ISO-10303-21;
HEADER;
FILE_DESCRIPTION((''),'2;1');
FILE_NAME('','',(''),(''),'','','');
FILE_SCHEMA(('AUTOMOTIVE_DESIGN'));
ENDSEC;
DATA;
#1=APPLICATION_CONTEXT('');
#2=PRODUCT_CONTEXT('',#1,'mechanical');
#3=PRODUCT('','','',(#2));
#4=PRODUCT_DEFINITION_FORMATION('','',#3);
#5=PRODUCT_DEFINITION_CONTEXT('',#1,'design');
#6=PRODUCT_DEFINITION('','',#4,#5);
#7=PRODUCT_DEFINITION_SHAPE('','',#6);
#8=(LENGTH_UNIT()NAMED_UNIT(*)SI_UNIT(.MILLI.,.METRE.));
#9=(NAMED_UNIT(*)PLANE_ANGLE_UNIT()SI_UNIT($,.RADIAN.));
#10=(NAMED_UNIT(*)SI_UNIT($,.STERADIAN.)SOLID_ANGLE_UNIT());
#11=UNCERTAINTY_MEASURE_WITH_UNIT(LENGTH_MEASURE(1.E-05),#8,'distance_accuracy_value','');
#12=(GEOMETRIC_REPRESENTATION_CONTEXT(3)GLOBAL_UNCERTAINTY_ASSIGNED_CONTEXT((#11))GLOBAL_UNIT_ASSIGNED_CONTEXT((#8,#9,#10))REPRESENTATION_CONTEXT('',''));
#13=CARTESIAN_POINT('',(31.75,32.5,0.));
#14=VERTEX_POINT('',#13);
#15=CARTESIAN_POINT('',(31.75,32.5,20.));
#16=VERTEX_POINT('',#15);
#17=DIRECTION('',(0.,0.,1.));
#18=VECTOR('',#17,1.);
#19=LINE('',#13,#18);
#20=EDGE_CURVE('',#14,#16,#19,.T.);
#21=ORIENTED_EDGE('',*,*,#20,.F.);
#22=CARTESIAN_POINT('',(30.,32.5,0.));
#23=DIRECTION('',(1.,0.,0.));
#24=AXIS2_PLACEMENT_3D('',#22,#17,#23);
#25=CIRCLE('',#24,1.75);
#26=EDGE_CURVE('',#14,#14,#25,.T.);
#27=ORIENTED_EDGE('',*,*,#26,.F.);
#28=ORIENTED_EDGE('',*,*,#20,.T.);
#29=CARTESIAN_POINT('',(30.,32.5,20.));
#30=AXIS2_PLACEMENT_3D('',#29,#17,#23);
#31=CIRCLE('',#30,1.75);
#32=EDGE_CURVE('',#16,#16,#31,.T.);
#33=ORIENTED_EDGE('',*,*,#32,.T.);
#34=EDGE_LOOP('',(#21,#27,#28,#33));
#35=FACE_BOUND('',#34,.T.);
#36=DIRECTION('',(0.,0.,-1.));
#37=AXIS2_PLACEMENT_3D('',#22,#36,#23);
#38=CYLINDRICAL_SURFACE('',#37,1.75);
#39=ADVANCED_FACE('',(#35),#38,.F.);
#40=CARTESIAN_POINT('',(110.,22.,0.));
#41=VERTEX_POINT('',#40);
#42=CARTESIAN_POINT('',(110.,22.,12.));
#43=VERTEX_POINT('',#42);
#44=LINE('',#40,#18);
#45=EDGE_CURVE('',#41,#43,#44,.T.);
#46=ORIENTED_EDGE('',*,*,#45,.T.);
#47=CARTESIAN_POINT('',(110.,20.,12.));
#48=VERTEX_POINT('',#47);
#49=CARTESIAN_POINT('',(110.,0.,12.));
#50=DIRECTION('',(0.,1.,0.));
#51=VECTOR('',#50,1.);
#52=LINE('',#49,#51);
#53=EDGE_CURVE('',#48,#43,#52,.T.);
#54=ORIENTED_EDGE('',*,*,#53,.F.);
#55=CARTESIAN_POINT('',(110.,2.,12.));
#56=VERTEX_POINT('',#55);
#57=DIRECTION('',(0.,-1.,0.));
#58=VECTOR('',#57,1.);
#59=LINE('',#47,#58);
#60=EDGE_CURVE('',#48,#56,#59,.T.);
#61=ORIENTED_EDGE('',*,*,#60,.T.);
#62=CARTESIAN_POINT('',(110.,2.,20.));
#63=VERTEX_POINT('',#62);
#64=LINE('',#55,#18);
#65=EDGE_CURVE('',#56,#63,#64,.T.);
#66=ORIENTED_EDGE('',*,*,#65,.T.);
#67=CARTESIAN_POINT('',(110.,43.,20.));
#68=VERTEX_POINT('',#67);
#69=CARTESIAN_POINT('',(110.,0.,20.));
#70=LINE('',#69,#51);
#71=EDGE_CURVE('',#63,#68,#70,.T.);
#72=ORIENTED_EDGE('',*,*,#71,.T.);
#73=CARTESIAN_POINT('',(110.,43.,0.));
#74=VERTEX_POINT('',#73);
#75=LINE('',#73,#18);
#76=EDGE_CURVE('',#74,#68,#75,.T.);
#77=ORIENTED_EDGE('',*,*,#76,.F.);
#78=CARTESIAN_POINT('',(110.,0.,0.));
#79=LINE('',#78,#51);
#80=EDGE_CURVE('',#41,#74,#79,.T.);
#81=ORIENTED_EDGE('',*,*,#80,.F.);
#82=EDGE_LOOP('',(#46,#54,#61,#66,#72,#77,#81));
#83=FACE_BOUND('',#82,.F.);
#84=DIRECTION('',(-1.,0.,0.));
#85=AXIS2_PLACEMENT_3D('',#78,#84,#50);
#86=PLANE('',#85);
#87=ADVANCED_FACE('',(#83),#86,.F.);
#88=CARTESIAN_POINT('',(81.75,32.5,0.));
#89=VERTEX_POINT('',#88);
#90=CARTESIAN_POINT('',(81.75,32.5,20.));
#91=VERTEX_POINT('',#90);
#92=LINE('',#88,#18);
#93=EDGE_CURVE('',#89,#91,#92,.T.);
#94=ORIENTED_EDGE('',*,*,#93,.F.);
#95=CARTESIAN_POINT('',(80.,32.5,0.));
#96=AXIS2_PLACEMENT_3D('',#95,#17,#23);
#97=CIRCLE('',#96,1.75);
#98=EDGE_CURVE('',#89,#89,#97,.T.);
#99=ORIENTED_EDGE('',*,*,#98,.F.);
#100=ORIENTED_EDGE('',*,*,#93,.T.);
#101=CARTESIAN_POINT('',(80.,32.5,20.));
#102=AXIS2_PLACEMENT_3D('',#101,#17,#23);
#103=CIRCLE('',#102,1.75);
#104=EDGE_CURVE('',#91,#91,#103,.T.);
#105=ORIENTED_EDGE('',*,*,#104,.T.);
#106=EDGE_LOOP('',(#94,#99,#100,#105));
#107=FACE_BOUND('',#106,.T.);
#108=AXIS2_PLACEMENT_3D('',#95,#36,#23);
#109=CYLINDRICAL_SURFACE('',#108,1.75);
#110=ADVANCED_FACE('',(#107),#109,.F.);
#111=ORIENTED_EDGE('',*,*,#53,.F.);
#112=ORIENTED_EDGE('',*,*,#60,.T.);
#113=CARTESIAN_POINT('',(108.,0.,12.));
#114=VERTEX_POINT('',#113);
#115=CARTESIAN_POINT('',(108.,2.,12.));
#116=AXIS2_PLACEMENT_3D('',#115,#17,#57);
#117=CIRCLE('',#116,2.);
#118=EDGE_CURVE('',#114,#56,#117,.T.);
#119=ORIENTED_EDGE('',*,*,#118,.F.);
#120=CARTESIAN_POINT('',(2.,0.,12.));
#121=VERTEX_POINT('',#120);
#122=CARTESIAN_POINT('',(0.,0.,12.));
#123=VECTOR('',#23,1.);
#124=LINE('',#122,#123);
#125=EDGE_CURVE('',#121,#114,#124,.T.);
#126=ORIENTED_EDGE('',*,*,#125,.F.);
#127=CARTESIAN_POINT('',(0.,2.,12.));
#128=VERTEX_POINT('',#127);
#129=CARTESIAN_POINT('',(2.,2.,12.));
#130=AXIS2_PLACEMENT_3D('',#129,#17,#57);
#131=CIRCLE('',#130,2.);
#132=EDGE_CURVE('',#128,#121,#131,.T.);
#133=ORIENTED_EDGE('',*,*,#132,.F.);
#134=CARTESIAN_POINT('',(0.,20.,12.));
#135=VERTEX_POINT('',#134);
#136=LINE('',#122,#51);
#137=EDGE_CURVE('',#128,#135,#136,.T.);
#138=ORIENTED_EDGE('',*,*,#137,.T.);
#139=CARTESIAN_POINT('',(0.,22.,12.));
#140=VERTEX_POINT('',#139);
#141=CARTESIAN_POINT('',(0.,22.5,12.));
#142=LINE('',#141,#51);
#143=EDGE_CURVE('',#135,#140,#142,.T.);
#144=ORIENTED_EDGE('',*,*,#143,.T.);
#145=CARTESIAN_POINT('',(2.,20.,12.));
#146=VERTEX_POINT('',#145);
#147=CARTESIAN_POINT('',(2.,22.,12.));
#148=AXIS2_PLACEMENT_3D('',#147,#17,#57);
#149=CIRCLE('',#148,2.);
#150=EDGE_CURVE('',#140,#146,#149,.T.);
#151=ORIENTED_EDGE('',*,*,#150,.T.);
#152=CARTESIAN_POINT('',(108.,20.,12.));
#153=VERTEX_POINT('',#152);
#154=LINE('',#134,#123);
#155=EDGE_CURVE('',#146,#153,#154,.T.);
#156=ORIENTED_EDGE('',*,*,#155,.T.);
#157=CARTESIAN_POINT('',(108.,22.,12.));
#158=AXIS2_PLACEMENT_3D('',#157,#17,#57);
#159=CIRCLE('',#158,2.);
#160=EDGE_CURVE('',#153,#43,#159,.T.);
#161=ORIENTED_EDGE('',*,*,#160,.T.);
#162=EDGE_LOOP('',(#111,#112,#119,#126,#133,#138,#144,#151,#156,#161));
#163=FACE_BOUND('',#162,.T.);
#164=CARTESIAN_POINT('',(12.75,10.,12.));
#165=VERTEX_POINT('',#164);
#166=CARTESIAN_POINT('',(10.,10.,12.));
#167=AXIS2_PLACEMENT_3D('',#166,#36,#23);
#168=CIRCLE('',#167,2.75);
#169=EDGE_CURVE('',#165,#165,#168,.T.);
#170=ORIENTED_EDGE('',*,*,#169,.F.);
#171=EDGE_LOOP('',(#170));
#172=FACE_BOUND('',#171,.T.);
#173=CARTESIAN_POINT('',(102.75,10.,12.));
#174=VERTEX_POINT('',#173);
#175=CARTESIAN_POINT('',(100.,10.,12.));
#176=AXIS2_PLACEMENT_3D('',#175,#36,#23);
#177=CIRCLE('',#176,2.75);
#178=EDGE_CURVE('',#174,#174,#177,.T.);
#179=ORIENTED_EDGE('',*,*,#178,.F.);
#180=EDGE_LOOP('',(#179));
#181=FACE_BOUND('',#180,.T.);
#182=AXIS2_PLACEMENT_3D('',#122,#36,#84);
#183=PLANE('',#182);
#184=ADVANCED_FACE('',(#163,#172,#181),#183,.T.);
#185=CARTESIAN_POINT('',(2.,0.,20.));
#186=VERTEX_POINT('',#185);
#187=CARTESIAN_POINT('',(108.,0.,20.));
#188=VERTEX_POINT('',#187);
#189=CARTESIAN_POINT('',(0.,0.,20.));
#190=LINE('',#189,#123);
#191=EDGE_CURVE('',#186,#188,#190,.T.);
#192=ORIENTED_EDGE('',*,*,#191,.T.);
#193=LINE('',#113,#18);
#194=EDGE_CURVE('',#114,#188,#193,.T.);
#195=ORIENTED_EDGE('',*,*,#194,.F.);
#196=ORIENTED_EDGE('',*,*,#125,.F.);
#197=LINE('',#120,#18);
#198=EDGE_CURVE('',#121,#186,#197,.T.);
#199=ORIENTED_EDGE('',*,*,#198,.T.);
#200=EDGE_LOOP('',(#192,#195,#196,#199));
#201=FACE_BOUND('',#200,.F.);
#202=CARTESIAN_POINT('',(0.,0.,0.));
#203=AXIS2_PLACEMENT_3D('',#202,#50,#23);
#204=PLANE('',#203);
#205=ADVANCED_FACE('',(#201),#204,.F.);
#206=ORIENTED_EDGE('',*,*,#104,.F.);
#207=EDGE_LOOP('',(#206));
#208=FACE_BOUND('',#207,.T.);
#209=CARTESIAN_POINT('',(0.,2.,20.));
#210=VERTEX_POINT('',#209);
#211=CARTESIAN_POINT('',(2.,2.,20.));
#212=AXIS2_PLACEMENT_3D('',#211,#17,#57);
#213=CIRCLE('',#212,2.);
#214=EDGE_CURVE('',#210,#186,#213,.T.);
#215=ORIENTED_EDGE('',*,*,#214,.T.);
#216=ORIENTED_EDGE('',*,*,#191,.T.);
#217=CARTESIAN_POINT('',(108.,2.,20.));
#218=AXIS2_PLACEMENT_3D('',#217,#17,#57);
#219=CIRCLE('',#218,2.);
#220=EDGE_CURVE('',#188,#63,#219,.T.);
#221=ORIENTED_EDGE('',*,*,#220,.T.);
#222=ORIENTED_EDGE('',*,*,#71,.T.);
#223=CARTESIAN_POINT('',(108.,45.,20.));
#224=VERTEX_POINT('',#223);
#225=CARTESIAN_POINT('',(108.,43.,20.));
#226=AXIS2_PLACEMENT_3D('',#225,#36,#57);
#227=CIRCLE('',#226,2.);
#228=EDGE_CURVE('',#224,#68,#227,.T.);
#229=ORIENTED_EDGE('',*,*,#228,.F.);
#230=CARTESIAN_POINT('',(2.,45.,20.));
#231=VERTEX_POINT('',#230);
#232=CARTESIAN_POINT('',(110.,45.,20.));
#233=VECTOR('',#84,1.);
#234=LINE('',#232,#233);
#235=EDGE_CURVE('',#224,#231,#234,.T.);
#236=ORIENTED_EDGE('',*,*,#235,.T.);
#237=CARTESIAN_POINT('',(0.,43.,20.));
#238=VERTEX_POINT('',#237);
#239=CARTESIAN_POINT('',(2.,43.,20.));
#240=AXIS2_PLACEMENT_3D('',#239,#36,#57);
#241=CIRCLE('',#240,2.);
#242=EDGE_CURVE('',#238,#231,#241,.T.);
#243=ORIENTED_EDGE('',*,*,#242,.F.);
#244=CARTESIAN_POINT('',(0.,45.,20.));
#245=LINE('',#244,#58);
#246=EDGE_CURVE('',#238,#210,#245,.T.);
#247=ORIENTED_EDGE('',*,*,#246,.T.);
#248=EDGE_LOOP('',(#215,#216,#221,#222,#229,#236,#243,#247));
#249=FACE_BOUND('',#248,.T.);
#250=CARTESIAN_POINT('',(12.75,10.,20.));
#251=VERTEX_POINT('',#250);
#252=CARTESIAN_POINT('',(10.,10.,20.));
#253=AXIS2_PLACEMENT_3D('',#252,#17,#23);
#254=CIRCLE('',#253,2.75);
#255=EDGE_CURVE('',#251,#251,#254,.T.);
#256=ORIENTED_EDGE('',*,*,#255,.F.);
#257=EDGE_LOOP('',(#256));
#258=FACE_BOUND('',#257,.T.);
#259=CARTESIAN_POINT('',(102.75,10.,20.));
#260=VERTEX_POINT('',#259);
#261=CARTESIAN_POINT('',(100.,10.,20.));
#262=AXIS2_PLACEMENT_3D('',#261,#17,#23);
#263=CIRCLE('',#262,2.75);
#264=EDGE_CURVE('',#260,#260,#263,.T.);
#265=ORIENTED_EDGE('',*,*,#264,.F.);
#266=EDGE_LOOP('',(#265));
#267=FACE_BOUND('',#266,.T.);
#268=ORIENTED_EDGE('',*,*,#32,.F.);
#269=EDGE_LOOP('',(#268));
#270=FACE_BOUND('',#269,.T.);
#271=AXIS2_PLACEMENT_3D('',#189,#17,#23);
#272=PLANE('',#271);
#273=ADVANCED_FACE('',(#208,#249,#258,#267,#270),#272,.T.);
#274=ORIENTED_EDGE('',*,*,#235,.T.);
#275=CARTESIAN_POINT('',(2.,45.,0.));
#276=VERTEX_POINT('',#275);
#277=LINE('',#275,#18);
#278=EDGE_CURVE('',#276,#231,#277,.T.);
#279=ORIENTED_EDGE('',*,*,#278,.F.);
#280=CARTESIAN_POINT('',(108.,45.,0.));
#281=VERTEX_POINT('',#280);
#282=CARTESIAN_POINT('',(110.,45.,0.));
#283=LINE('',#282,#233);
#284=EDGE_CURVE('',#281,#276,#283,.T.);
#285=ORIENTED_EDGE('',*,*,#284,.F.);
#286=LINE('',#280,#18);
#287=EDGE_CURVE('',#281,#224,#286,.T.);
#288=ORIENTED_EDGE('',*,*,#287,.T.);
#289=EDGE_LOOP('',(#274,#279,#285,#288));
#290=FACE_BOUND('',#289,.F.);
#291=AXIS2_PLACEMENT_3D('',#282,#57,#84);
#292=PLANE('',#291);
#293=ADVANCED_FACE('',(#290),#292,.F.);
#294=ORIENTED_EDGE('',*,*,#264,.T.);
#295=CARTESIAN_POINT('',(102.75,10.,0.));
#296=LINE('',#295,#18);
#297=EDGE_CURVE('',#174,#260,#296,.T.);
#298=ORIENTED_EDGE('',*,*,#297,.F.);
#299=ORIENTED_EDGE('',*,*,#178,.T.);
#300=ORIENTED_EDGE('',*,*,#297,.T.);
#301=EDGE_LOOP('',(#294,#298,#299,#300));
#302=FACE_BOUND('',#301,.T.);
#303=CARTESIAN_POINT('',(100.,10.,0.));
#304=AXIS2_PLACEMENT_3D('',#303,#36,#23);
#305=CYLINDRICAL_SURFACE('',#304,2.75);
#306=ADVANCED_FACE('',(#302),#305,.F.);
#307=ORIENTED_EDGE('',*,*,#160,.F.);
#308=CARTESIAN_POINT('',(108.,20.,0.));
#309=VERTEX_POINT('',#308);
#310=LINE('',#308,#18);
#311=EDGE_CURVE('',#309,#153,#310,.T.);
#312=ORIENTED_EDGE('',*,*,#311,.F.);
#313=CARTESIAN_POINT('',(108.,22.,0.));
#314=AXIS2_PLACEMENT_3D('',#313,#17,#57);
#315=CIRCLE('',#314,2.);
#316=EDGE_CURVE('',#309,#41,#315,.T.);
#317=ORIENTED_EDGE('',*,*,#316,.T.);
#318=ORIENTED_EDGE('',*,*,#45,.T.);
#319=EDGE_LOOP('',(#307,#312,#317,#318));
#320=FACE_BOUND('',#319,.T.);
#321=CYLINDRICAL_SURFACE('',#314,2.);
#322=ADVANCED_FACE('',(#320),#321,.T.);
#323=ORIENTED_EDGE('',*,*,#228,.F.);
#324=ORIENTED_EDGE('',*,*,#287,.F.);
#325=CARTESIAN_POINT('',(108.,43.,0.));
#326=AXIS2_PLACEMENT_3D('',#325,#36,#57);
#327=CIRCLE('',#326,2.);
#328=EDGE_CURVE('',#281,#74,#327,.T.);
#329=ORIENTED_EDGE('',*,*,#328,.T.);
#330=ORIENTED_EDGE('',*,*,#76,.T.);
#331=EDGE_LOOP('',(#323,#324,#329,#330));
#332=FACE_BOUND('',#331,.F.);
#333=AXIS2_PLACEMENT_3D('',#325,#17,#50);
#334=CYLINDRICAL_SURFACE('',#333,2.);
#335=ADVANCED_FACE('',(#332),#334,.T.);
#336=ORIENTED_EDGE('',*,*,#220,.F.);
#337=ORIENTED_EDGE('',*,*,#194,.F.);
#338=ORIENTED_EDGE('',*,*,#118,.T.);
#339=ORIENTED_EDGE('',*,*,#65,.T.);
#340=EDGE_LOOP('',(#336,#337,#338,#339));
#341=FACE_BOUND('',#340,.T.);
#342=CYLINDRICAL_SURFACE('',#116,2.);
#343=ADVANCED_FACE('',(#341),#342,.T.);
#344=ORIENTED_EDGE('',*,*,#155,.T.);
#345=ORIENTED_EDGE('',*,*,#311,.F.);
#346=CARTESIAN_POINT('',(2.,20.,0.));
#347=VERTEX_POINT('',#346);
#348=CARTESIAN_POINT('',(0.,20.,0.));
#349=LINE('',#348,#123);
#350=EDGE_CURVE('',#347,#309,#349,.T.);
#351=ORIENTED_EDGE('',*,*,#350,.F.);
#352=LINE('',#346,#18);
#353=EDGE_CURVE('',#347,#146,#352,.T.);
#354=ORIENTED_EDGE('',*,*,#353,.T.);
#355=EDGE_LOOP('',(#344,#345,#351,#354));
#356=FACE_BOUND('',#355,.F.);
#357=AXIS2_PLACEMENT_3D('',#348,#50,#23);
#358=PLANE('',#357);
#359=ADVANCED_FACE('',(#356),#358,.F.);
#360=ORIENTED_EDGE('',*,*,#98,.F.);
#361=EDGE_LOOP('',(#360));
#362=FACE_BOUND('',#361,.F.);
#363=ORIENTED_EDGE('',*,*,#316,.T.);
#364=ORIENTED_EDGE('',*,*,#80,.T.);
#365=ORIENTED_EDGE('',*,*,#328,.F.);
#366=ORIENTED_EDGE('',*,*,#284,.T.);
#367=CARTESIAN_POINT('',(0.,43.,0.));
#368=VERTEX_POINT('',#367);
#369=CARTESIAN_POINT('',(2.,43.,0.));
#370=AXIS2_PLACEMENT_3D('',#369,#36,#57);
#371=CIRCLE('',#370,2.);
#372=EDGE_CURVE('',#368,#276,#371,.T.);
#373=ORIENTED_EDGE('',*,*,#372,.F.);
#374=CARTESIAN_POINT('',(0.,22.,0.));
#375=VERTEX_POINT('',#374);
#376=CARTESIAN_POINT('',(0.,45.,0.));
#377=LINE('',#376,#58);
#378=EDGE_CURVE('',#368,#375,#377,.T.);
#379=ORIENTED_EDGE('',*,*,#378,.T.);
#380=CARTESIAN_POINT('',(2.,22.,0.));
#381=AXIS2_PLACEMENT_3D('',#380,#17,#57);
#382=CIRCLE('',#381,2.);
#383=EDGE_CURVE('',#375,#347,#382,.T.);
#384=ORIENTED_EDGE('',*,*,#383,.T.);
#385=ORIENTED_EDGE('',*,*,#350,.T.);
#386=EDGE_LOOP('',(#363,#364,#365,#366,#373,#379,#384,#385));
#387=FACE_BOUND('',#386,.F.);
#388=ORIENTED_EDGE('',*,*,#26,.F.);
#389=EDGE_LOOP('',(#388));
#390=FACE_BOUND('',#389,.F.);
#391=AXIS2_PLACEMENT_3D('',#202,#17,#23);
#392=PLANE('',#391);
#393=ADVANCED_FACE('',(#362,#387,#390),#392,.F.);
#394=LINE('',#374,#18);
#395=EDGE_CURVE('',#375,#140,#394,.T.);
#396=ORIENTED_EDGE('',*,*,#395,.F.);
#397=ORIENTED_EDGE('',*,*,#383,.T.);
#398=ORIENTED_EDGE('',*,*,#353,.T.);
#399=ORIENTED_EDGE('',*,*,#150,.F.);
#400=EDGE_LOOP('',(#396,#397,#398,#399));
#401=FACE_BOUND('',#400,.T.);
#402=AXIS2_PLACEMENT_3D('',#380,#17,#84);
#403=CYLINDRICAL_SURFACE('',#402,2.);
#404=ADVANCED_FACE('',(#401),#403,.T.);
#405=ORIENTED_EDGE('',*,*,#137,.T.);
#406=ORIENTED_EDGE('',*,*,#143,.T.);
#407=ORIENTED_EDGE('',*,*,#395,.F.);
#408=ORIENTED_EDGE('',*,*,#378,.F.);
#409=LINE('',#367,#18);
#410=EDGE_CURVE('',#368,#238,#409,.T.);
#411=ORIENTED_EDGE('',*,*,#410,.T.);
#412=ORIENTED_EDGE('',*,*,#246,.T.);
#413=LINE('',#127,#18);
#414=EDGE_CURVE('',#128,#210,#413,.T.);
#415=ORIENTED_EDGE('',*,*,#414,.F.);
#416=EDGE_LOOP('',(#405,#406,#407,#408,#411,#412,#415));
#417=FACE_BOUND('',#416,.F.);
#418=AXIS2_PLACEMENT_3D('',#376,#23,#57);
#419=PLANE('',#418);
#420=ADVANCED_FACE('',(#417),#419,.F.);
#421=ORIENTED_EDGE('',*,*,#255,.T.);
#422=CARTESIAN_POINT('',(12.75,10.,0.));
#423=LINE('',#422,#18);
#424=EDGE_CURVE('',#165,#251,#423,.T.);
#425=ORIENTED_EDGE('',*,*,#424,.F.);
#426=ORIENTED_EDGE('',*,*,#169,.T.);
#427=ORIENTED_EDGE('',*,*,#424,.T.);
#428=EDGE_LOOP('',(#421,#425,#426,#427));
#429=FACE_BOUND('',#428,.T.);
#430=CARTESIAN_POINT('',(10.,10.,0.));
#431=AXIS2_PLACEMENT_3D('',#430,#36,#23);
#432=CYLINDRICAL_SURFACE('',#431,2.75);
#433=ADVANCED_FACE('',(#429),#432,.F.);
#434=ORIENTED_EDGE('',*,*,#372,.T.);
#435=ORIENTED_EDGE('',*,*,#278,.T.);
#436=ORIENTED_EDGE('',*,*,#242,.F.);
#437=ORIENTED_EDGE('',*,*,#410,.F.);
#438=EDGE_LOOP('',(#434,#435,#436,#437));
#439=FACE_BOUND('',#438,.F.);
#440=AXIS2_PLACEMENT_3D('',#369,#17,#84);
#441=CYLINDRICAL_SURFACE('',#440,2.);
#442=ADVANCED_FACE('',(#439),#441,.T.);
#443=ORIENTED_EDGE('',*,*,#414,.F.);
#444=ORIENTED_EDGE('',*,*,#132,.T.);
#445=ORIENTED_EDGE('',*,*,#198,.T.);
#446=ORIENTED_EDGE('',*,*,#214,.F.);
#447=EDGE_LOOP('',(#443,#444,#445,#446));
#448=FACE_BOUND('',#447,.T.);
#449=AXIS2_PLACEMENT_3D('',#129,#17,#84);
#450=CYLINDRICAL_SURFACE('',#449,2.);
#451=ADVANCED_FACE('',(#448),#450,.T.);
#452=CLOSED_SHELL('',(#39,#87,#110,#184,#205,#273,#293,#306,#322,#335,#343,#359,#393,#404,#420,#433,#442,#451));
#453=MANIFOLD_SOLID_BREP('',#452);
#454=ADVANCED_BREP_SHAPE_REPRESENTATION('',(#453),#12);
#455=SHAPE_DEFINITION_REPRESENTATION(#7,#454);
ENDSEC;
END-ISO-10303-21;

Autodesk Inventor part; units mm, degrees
ref_plane "YZ Plane" through (0, 0, 0) normal (1, 0, 0) x (0, 1, 0)
ref_plane "XZ Plane" through (0, 0, 0) normal (0, 1, 0) x (-1, 0, 0)
ref_plane "XY Plane" through (0, 0, 0) normal (0, 0, 1) x (1, 0, 0)
sketch "スケッチ1" plane through (0, 0, 0) normal (0, 0, 1) x (1, 0, 0)
  line L0 (0, 0) -> (110, 0)
  line L1 (110, 0) -> (110, 45)
  line L2 (110, 45) -> (0, 45)
  line L3 (0, 45) -> (0, 0)
  line L4 (0, 32.5) -> (110, 32.5) construction
  line L5 (0, 10) -> (110, 10) construction
  circle A0 centre (10, 10) radius 2.75
  circle A1 centre (100, 10) radius 2.75
  circle A2 centre (30, 32.5) radius 1.75
  circle A3 centre (80, 32.5) radius 1.75
  line L6 (55, 45) -> (55, 0) construction
  dimension "d2" = 110
  dimension "d3" = 45
  dimension "d4" = 12.5
  dimension "d5" = 10
  dimension "d6" = 50
  dimension "d8" = 10
  dimension "d9" = 5.5
  dimension "d10" = 3.5
extrude "押し出し1" add sketch "スケッチ1" along normal blind 20
sketch "スケッチ2" plane through (0, 0, 0) normal (0, 0, -1) x (-1, 0, 0)
  line L0 (0, 0) -> (-110, 0) projected
  line L1 (-110, 0) -> (0, 0)
  line L2 (0, 0) -> (0, 20)
  line L3 (0, 20) -> (-110, 20)
  line L4 (-110, 20) -> (-110, 0)
  point P0 (-110, 45)
  dimension "d14" = 20
extrude "押し出し2" cut sketch "スケッチ2" against normal blind 12
fillet "フィレット1" radius 2 6 edges at (110, 0, 16) (110, 45, 10) (0, 0, 16) (0, 45, 10) (110, 20, 6) (0, 20, 6)
properties part number "_3D プリント"
